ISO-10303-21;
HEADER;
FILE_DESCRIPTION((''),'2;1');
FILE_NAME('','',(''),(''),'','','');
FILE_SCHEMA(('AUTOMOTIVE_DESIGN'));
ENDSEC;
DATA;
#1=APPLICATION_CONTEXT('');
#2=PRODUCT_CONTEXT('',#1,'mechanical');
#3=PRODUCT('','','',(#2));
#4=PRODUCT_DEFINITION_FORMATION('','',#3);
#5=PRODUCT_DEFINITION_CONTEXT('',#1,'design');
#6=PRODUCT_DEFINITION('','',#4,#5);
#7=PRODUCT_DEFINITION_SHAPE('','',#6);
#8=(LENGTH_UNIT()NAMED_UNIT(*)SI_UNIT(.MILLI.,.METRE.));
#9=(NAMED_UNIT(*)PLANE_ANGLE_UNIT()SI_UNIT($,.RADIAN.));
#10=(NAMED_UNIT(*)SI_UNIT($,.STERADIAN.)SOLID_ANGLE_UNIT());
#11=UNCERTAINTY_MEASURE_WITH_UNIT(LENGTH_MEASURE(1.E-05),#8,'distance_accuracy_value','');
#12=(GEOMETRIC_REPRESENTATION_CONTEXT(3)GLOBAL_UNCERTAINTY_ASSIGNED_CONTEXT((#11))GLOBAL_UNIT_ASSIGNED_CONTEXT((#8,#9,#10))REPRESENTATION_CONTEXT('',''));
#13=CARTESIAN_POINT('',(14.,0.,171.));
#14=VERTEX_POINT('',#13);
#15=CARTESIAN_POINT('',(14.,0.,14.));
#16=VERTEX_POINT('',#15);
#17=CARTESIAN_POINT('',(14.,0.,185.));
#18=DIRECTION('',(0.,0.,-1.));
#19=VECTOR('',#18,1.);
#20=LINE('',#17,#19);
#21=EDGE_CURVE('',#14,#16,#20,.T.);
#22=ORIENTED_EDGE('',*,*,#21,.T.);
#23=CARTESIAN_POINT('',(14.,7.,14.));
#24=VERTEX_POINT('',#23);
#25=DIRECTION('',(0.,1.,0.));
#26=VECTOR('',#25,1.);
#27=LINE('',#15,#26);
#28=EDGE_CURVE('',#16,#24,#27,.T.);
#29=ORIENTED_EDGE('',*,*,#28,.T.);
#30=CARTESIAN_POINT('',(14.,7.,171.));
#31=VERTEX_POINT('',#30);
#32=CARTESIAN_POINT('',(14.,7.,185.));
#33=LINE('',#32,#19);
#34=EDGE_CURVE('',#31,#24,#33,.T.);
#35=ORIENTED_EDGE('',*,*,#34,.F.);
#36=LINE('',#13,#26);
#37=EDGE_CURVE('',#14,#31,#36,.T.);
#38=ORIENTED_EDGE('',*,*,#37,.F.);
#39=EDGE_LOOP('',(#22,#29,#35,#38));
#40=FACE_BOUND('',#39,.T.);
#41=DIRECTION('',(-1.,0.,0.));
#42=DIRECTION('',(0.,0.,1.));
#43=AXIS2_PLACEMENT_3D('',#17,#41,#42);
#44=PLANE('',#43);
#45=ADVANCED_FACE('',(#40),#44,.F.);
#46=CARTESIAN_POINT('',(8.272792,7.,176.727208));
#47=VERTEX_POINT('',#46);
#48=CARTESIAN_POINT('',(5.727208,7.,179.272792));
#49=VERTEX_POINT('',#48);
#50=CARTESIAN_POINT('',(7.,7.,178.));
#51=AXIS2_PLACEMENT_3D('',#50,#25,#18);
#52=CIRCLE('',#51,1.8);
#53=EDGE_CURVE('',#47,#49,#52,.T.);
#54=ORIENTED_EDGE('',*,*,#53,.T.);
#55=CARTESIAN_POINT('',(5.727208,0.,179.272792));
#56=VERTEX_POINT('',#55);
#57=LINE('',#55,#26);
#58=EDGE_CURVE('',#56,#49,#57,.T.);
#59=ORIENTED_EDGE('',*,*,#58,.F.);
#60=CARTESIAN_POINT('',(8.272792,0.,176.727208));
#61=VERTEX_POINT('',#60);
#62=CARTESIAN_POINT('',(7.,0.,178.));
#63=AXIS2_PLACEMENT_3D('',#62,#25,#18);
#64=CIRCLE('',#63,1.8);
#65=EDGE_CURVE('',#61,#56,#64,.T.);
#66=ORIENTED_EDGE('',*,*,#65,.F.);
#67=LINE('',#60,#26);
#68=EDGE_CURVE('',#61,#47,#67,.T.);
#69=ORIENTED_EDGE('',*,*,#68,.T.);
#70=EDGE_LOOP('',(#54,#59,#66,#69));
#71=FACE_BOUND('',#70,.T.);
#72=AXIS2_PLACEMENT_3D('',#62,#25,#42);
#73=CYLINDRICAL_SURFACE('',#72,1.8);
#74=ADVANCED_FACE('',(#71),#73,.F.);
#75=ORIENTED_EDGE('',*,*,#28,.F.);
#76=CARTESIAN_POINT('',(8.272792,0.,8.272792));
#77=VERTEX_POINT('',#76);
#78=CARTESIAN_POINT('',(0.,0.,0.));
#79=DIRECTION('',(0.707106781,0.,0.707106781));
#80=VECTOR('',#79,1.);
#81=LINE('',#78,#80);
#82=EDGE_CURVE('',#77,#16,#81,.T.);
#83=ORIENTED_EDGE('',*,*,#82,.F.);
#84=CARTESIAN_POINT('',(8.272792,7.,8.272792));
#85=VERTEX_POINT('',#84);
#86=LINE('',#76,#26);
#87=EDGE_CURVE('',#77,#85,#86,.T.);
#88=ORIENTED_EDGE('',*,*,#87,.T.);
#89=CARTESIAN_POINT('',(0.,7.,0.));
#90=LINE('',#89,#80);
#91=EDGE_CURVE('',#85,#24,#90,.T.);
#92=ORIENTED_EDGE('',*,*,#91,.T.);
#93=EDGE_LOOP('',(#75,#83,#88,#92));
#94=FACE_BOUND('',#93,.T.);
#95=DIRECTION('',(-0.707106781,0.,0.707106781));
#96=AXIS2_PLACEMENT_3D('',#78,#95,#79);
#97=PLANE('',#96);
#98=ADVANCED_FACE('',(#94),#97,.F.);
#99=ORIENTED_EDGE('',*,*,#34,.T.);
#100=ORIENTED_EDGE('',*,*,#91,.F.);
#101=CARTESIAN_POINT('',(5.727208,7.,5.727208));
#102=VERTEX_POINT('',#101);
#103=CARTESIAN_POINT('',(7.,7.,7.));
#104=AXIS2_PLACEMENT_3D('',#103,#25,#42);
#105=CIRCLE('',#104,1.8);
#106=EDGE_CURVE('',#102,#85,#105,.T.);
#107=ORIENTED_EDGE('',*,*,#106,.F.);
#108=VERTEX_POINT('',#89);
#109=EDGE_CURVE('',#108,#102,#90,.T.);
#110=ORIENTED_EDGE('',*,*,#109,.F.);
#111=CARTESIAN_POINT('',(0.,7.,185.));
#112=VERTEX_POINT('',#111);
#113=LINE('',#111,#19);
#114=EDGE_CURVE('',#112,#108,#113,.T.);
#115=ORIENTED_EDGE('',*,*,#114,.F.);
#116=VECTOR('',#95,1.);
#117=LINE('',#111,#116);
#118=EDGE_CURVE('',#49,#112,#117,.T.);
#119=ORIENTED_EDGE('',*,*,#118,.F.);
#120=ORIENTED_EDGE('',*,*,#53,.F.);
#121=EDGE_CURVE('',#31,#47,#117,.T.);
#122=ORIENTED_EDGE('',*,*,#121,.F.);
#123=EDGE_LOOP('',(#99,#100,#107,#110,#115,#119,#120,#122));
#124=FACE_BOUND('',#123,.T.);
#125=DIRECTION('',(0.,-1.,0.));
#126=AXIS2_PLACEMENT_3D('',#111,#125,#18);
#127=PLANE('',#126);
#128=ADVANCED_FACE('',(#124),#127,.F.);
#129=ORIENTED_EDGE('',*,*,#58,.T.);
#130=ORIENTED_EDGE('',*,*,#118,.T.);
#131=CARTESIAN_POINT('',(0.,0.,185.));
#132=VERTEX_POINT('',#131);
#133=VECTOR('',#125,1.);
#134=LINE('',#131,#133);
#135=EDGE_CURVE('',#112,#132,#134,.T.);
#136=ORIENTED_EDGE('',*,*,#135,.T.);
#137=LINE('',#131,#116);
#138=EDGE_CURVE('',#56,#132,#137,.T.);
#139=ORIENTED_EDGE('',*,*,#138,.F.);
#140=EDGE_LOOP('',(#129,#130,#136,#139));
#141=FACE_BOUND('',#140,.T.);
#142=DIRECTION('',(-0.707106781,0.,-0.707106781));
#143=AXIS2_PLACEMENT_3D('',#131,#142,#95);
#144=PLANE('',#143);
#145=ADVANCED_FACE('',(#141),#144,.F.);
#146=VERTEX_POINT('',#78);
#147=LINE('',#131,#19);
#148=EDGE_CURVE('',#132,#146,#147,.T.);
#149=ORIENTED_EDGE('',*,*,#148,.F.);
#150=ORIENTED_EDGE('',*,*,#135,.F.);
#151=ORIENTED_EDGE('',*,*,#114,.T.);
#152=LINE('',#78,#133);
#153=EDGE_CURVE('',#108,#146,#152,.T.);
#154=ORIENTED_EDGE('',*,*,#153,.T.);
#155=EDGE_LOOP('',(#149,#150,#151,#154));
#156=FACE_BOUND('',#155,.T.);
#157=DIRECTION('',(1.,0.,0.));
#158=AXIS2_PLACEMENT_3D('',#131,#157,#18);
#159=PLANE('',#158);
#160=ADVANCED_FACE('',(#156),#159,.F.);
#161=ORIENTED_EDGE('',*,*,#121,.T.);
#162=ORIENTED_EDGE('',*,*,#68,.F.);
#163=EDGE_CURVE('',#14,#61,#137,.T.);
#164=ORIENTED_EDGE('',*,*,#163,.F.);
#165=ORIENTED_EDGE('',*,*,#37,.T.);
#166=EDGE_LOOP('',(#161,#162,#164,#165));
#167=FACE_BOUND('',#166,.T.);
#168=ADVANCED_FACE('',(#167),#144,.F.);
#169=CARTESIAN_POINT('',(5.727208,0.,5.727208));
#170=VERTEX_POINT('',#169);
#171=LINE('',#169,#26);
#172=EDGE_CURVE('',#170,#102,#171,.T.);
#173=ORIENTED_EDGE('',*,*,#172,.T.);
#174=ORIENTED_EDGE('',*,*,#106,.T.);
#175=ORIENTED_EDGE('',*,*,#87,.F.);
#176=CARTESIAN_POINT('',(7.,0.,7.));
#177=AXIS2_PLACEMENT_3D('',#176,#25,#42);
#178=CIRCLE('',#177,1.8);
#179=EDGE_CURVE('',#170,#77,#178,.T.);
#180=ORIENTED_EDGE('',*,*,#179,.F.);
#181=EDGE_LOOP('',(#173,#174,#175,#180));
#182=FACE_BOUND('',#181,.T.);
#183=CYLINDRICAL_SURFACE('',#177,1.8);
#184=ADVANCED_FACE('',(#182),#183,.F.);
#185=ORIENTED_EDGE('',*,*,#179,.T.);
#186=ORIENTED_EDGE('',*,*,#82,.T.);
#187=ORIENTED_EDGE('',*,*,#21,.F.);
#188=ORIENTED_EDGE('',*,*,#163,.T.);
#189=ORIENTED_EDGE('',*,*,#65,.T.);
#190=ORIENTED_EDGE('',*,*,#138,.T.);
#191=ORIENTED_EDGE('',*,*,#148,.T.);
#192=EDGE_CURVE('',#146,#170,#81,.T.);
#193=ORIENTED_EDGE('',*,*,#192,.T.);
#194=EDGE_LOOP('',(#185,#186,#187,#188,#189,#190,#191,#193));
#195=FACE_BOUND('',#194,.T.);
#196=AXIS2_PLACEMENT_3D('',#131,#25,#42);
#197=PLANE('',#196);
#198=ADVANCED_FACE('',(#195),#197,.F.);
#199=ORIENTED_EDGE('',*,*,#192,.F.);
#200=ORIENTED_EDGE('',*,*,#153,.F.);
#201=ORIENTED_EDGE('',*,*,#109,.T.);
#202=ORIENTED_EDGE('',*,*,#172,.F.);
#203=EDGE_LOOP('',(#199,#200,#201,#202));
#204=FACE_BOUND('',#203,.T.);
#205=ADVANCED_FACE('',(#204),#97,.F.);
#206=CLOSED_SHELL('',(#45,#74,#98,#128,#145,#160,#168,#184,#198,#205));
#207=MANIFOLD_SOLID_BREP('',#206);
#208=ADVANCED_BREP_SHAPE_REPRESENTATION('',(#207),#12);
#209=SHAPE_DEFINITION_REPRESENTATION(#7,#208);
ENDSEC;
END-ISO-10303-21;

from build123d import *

# Parameters (mm, degrees)
SKETCH1_W           = 14
SKETCH1_H           = 7
BOSS_EXTRUDE1_DEPTH = 185
CUT_EXTRUDE1_DEPTH  = 186.660981361
CUT_EXTRUDE2_DEPTH  = 186.660981361


with BuildPart() as part:
    # Sketch1 → Boss-Extrude1 (new body)
    with BuildSketch(Plane.XY):
        with Locations((7, 3.5)):
            Rectangle(SKETCH1_W, SKETCH1_H)
    extrude(amount=BOSS_EXTRUDE1_DEPTH)

    # Sketch2 → Cut-Extrude1 (cut, through all)
    with BuildSketch(Plane(origin=(0, 7, 0), x_dir=(1, 0, 0), z_dir=(0, 1, 0))):
        Polygon((0, 0), (14, -14), (14, 0), align=None)
        Polygon((14, -185), (0, -185), (14, -171), align=None)
    extrude(amount=-CUT_EXTRUDE1_DEPTH, mode=Mode.SUBTRACT)

    # Sketch3 → Cut-Extrude2 (cut, through all)
    with BuildSketch(Plane(origin=(0, 7, 0), x_dir=(1, 0, 0), z_dir=(0, 1, 0))):
        with BuildLine():
            Line((8.272792206, -176.727207794), (5.727207794, -179.272792206))
            ThreePointArc((5.727207794, -179.272792206), (5.727207794, -176.727207794), (8.272792206, -176.727207794))
        make_face()
        with BuildLine():
            Line((5.727207794, -5.727207794), (8.272792206, -8.272792206))
            ThreePointArc((8.272792206, -8.272792206), (5.727207794, -8.272792206), (5.727207794, -5.727207794))
        make_face()
    extrude(amount=-CUT_EXTRUDE2_DEPTH, mode=Mode.SUBTRACT)


solid = part.part
